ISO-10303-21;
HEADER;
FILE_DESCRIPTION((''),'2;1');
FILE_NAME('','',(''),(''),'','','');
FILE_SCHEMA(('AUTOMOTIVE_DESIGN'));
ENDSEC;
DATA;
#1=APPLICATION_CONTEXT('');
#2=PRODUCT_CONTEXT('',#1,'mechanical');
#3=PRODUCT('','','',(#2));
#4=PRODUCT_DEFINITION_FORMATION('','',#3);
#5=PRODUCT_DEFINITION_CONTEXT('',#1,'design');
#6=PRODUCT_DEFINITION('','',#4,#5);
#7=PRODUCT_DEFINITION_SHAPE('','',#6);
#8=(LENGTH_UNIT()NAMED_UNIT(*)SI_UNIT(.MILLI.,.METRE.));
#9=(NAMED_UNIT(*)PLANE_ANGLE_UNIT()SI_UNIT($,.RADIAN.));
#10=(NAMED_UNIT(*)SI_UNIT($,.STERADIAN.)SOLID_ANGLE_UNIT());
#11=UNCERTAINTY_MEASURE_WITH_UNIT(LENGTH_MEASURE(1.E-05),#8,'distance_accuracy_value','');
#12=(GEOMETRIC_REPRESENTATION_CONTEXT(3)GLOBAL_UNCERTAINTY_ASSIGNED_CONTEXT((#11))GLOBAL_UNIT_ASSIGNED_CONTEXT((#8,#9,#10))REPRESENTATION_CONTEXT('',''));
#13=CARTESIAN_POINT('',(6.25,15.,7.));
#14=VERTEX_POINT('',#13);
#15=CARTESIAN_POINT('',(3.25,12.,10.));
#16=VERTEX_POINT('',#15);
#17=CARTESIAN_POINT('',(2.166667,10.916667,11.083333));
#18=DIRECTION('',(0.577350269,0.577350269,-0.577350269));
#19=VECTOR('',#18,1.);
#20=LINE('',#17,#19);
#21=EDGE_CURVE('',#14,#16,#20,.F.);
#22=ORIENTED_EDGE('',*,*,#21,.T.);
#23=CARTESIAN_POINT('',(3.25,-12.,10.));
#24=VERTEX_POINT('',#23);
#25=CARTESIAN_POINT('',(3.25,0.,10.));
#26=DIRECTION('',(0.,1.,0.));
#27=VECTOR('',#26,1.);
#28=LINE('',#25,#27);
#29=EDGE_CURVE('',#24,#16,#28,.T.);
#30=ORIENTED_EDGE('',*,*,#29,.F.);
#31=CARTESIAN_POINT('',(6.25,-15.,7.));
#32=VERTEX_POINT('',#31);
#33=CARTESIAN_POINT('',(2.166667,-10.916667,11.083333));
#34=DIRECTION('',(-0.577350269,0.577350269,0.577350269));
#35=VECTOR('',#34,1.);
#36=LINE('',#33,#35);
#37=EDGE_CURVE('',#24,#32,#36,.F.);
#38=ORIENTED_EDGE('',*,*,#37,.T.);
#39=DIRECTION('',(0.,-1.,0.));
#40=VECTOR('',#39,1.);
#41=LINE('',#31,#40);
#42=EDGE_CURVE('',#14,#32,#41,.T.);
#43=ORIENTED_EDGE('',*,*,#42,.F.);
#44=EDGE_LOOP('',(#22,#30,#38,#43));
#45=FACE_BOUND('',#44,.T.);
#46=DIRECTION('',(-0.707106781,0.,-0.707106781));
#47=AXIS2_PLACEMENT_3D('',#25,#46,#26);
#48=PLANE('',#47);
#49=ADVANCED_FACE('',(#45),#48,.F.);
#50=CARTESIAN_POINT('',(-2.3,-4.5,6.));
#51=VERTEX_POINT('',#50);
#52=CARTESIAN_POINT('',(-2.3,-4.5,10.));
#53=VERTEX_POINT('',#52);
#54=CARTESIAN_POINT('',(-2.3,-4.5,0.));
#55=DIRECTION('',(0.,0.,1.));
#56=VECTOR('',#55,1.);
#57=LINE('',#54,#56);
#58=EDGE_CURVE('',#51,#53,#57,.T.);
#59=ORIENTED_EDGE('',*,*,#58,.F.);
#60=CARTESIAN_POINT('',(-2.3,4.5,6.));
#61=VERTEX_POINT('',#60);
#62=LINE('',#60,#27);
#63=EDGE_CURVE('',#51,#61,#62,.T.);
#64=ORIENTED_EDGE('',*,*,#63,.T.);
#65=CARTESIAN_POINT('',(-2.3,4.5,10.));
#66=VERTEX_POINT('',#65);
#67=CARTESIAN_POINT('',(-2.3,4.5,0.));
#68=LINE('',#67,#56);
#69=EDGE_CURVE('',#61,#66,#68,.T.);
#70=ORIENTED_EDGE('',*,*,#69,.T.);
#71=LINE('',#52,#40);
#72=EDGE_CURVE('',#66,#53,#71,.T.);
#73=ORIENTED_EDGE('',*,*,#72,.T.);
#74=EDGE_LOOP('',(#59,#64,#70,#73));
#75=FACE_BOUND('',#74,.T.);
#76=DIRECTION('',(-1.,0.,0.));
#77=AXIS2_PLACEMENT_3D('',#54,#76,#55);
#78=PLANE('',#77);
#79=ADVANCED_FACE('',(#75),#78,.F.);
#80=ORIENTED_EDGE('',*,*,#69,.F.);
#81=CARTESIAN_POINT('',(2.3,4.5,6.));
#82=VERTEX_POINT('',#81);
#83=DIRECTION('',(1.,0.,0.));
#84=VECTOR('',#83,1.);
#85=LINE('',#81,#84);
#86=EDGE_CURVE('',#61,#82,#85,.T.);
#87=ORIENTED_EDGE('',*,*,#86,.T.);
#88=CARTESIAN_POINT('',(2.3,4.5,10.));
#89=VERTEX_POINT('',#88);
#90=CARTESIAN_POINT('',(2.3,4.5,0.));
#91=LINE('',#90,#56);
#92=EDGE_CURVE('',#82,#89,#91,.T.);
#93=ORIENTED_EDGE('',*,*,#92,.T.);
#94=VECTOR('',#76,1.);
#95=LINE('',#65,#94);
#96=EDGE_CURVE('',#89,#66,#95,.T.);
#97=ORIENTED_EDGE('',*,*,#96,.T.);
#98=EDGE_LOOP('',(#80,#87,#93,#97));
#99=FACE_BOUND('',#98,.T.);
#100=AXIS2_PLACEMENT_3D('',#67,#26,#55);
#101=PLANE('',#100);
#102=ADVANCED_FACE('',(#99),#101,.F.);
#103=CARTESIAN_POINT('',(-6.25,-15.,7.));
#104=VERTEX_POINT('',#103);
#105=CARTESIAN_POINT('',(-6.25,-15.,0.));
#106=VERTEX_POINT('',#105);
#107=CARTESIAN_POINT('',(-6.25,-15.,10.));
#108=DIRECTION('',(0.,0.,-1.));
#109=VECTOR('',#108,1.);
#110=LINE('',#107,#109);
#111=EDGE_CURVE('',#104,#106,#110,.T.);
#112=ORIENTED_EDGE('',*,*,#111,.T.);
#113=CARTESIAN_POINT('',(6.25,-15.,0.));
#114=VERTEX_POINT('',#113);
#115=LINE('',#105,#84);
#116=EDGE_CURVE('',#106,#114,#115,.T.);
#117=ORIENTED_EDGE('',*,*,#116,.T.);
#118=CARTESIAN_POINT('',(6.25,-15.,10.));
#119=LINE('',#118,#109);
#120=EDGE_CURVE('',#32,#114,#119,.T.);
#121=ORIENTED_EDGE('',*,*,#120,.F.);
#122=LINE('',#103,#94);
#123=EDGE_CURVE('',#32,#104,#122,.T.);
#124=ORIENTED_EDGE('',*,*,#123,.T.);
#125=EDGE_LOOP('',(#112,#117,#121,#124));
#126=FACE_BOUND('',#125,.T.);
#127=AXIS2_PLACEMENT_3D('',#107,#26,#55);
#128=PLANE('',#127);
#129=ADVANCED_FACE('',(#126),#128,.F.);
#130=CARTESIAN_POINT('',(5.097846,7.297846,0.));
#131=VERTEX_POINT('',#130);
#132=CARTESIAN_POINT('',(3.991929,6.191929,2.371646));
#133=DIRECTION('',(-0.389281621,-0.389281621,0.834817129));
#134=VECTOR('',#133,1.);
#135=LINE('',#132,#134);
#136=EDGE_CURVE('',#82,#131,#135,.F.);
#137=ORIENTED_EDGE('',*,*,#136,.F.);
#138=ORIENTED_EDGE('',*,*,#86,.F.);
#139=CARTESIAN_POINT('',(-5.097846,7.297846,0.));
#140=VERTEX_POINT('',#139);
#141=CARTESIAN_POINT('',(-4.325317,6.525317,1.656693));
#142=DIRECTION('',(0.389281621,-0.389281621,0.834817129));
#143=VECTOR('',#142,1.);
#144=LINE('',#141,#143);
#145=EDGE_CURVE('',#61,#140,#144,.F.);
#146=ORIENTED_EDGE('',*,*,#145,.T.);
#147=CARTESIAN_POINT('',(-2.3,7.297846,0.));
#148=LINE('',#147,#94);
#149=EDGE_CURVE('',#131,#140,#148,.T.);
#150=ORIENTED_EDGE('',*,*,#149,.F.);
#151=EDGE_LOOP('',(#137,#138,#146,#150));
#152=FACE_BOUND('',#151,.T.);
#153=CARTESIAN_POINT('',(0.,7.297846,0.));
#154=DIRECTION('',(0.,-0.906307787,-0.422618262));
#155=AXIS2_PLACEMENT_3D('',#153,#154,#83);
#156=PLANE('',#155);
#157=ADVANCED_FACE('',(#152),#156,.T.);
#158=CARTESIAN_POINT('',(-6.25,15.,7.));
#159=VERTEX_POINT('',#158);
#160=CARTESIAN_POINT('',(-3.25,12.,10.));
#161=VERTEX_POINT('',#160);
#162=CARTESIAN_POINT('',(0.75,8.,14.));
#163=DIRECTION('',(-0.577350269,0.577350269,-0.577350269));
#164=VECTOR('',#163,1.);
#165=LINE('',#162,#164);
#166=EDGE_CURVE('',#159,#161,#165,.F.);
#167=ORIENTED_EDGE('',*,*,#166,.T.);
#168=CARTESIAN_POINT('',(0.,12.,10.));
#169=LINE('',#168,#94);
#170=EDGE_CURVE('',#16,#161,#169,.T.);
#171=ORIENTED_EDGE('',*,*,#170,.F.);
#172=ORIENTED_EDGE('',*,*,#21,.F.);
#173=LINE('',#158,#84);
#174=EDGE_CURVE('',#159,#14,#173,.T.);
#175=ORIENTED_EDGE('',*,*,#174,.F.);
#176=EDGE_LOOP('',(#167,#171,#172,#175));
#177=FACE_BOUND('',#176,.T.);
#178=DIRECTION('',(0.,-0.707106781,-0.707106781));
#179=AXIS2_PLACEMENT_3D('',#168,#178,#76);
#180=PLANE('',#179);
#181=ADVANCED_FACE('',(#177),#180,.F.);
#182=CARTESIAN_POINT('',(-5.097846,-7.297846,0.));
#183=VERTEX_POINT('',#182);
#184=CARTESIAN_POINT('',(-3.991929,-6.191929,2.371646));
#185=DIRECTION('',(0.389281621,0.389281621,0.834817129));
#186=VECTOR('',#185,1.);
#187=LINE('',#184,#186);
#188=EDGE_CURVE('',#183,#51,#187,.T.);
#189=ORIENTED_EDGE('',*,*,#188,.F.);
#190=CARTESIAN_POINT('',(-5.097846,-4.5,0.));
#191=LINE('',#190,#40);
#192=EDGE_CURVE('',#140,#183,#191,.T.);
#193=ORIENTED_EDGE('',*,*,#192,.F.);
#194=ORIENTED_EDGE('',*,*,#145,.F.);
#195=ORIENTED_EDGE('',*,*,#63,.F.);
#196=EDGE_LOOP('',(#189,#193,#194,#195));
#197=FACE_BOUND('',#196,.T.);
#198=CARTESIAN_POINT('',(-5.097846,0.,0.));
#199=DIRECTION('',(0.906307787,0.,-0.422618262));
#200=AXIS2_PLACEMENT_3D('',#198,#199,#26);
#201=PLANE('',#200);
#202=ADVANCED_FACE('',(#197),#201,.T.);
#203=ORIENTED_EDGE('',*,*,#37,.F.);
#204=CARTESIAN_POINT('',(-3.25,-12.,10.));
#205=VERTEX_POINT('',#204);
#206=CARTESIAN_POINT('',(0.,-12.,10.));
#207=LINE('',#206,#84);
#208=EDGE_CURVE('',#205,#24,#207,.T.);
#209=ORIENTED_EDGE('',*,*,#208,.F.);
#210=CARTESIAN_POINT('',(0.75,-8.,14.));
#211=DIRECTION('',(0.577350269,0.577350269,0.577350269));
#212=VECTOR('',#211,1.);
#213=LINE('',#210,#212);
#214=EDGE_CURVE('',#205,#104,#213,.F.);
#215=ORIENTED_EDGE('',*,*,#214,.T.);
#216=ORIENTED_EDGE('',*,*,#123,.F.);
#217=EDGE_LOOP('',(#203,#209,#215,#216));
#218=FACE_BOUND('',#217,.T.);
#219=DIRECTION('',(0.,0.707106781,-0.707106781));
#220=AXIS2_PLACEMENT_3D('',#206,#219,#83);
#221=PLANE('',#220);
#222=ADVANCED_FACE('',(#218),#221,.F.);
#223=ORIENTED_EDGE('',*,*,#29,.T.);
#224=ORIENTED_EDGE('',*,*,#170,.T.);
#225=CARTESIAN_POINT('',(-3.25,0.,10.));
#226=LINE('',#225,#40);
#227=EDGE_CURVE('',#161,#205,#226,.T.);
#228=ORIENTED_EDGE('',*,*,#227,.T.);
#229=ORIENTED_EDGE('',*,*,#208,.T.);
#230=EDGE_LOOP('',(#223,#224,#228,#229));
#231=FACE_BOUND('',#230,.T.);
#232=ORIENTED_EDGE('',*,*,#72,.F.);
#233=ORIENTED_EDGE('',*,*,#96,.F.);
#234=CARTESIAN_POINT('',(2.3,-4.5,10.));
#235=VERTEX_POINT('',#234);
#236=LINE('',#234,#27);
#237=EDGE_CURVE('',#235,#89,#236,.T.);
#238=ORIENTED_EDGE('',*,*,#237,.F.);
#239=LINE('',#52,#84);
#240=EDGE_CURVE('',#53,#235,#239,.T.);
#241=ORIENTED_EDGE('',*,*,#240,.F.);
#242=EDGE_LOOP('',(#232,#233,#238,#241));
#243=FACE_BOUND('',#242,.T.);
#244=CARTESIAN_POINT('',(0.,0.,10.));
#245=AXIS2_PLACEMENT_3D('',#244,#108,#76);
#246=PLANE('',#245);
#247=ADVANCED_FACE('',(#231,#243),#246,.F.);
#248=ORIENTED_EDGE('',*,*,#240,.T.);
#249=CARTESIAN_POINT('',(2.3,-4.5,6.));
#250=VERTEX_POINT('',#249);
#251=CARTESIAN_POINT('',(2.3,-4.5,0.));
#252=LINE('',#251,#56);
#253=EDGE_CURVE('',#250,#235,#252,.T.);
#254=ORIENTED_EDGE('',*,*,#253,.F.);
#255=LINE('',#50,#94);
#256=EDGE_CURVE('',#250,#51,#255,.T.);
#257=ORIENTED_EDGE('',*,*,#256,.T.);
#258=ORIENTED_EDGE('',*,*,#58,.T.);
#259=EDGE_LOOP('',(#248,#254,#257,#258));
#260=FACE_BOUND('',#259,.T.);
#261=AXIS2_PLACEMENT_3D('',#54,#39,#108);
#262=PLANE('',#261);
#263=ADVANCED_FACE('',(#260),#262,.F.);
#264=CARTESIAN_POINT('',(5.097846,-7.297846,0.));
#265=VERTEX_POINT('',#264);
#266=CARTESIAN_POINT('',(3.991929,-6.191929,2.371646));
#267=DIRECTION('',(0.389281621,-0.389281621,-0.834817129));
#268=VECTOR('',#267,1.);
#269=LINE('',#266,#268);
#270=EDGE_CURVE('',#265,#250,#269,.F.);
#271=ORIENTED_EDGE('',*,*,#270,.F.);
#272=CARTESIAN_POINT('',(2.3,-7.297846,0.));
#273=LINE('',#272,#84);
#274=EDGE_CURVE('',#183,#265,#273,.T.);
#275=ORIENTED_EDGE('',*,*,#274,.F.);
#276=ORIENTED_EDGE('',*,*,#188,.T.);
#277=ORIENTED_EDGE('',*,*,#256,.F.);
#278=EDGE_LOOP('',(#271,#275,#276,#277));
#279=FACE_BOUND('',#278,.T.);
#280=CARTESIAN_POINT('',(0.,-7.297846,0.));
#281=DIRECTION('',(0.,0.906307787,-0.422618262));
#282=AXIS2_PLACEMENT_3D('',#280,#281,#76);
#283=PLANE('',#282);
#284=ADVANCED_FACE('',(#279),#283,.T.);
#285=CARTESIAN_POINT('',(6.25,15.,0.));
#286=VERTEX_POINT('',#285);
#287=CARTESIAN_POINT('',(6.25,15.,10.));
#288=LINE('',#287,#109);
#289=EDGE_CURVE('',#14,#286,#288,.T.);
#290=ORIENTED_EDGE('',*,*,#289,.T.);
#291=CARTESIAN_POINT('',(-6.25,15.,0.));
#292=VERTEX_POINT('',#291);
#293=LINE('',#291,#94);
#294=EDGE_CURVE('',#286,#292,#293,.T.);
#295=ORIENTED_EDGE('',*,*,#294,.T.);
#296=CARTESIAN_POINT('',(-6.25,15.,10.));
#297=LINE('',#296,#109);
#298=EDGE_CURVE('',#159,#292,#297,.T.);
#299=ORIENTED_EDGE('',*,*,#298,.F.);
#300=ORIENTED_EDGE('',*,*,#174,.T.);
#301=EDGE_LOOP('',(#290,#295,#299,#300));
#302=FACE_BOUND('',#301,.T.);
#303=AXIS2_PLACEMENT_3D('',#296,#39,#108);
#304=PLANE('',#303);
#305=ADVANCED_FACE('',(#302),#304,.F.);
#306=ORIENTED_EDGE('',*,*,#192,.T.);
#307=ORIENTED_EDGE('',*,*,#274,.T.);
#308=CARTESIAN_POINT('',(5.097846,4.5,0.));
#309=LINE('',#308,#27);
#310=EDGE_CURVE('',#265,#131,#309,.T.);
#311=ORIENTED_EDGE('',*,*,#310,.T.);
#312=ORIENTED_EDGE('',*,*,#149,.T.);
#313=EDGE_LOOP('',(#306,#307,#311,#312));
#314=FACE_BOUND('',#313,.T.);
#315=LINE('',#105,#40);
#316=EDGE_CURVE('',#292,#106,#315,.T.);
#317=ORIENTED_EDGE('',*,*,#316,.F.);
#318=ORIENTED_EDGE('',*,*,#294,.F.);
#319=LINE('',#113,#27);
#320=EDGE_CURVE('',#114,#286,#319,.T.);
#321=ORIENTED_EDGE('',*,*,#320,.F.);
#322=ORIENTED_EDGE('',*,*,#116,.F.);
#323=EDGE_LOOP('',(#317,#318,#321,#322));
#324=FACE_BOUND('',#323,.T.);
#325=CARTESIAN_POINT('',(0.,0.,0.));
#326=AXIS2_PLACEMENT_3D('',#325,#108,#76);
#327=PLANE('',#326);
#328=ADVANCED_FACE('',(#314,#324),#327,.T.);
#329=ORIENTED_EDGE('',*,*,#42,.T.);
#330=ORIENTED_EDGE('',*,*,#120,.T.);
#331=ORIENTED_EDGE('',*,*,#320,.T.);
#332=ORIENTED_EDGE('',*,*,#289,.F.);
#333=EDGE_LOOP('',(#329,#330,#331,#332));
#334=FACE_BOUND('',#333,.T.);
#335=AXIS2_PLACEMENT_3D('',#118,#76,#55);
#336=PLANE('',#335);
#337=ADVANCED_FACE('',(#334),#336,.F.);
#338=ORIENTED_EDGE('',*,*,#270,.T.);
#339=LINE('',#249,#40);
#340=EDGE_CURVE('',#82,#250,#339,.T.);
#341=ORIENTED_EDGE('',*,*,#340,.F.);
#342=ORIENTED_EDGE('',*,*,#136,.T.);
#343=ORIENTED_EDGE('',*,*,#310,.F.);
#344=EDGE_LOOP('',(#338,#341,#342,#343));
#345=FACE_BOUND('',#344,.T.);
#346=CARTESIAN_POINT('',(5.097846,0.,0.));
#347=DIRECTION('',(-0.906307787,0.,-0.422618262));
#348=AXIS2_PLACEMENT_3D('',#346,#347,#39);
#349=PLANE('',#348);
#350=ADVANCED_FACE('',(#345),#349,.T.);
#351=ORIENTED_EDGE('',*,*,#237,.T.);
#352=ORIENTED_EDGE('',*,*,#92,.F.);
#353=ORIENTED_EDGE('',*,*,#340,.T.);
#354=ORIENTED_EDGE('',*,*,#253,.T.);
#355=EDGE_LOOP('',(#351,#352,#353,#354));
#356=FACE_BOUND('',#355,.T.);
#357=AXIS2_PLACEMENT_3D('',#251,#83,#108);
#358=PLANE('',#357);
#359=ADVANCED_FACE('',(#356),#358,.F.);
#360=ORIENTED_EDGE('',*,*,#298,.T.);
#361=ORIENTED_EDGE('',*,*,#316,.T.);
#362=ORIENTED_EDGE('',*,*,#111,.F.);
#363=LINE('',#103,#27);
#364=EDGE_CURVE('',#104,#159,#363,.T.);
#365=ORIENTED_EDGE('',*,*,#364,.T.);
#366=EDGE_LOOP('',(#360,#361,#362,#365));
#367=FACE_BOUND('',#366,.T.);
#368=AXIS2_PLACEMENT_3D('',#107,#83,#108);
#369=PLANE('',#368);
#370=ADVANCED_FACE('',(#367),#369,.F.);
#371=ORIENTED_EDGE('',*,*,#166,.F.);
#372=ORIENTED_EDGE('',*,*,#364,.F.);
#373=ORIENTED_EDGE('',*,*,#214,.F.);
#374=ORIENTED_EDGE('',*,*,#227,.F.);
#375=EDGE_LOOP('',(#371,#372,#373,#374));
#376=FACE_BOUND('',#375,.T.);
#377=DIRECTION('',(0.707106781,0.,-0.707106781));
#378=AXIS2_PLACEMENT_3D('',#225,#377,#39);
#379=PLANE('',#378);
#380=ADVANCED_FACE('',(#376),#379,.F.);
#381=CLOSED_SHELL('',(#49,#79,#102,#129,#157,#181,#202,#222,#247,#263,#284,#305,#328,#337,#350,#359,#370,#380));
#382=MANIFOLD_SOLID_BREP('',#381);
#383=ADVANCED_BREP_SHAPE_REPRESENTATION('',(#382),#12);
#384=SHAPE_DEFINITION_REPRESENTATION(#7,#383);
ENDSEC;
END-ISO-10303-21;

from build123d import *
from OCP.BRepFilletAPI import BRepFilletAPI_MakeChamfer

# Parameters (mm, degrees)
ESBO_O1_W                = 12.5
ESBO_O1_H                = 30
RESSALTO_EXTRUS_O1_DEPTH = 10
ESBO_O2_W                = 4.6
ESBO_O2_H                = 9
CORTE_EXTRUS_O1_DEPTH    = 20.080421903
CHANFRO1_SIZE            = 3
CHANFRO2_SIZE            = 6
CHANFRO2_SIZE2           = 2.797845949


with BuildPart() as part:
    # Esboço1 → Ressalto-extrusão1 (new body)
    with BuildSketch(Plane.XY):
        Rectangle(ESBO_O1_W, ESBO_O1_H)
    extrude(amount=RESSALTO_EXTRUS_O1_DEPTH)

    # Esboço2 → Corte-extrusão1 (cut, through all)
    with BuildSketch(Plane.XY.offset(10)):
        Rectangle(ESBO_O2_W, ESBO_O2_H)
    extrude(amount=-CORTE_EXTRUS_O1_DEPTH, mode=Mode.SUBTRACT)

    # Chanfro1
    chanfro1_edges = [part.edges().sort_by_distance(p)[0] for p in [
        (-6.25, 0, 10),
        (0, -15, 10),
        (6.25, 0, 10),
        (0, 15, 10),
    ]]
    chamfer(chanfro1_edges, length=CHANFRO1_SIZE)

    # Chanfro2: one chamfer whose edges measure the first distance from different faces: ONE call of the kernel's chamfer builder (chamfer() names one face for all edges)
    chanfro2_edges_1 = [part.edges().sort_by_distance(p)[0] for p in [
        (2.3, 0, 0),
    ]]
    chanfro2_side_1 = [part.faces().sort_by_distance(p)[0] for p in [
        (2.3, 0, 5),
    ]]
    chanfro2_edges_2 = [part.edges().sort_by_distance(p)[0] for p in [
        (0, -4.5, 0),
    ]]
    chanfro2_side_2 = [part.faces().sort_by_distance(p)[0] for p in [
        (0, -4.5, 5),
    ]]
    chanfro2_edges_3 = [part.edges().sort_by_distance(p)[0] for p in [
        (-2.3, 0, 0),
    ]]
    chanfro2_side_3 = [part.faces().sort_by_distance(p)[0] for p in [
        (-2.3, 0, 5),
    ]]
    chanfro2_edges_4 = [part.edges().sort_by_distance(p)[0] for p in [
        (0, 4.5, 0),
    ]]
    chanfro2_side_4 = [part.faces().sort_by_distance(p)[0] for p in [
        (0, 4.5, 5),
    ]]
    chanfro2 = BRepFilletAPI_MakeChamfer(part.part.solid().wrapped)
    for e in chanfro2_edges_1:
        chanfro2.Add(CHANFRO2_SIZE, CHANFRO2_SIZE2, e.wrapped, chanfro2_side_1[0].wrapped)  # the first distance lies on this face
    for e in chanfro2_edges_2:
        chanfro2.Add(CHANFRO2_SIZE, CHANFRO2_SIZE2, e.wrapped, chanfro2_side_2[0].wrapped)  # the first distance lies on this face
    for e in chanfro2_edges_3:
        chanfro2.Add(CHANFRO2_SIZE, CHANFRO2_SIZE2, e.wrapped, chanfro2_side_3[0].wrapped)  # the first distance lies on this face
    for e in chanfro2_edges_4:
        chanfro2.Add(CHANFRO2_SIZE, CHANFRO2_SIZE2, e.wrapped, chanfro2_side_4[0].wrapped)  # the first distance lies on this face
    add(Compound.cast(chanfro2.Shape()), mode=Mode.REPLACE)


solid = part.part
